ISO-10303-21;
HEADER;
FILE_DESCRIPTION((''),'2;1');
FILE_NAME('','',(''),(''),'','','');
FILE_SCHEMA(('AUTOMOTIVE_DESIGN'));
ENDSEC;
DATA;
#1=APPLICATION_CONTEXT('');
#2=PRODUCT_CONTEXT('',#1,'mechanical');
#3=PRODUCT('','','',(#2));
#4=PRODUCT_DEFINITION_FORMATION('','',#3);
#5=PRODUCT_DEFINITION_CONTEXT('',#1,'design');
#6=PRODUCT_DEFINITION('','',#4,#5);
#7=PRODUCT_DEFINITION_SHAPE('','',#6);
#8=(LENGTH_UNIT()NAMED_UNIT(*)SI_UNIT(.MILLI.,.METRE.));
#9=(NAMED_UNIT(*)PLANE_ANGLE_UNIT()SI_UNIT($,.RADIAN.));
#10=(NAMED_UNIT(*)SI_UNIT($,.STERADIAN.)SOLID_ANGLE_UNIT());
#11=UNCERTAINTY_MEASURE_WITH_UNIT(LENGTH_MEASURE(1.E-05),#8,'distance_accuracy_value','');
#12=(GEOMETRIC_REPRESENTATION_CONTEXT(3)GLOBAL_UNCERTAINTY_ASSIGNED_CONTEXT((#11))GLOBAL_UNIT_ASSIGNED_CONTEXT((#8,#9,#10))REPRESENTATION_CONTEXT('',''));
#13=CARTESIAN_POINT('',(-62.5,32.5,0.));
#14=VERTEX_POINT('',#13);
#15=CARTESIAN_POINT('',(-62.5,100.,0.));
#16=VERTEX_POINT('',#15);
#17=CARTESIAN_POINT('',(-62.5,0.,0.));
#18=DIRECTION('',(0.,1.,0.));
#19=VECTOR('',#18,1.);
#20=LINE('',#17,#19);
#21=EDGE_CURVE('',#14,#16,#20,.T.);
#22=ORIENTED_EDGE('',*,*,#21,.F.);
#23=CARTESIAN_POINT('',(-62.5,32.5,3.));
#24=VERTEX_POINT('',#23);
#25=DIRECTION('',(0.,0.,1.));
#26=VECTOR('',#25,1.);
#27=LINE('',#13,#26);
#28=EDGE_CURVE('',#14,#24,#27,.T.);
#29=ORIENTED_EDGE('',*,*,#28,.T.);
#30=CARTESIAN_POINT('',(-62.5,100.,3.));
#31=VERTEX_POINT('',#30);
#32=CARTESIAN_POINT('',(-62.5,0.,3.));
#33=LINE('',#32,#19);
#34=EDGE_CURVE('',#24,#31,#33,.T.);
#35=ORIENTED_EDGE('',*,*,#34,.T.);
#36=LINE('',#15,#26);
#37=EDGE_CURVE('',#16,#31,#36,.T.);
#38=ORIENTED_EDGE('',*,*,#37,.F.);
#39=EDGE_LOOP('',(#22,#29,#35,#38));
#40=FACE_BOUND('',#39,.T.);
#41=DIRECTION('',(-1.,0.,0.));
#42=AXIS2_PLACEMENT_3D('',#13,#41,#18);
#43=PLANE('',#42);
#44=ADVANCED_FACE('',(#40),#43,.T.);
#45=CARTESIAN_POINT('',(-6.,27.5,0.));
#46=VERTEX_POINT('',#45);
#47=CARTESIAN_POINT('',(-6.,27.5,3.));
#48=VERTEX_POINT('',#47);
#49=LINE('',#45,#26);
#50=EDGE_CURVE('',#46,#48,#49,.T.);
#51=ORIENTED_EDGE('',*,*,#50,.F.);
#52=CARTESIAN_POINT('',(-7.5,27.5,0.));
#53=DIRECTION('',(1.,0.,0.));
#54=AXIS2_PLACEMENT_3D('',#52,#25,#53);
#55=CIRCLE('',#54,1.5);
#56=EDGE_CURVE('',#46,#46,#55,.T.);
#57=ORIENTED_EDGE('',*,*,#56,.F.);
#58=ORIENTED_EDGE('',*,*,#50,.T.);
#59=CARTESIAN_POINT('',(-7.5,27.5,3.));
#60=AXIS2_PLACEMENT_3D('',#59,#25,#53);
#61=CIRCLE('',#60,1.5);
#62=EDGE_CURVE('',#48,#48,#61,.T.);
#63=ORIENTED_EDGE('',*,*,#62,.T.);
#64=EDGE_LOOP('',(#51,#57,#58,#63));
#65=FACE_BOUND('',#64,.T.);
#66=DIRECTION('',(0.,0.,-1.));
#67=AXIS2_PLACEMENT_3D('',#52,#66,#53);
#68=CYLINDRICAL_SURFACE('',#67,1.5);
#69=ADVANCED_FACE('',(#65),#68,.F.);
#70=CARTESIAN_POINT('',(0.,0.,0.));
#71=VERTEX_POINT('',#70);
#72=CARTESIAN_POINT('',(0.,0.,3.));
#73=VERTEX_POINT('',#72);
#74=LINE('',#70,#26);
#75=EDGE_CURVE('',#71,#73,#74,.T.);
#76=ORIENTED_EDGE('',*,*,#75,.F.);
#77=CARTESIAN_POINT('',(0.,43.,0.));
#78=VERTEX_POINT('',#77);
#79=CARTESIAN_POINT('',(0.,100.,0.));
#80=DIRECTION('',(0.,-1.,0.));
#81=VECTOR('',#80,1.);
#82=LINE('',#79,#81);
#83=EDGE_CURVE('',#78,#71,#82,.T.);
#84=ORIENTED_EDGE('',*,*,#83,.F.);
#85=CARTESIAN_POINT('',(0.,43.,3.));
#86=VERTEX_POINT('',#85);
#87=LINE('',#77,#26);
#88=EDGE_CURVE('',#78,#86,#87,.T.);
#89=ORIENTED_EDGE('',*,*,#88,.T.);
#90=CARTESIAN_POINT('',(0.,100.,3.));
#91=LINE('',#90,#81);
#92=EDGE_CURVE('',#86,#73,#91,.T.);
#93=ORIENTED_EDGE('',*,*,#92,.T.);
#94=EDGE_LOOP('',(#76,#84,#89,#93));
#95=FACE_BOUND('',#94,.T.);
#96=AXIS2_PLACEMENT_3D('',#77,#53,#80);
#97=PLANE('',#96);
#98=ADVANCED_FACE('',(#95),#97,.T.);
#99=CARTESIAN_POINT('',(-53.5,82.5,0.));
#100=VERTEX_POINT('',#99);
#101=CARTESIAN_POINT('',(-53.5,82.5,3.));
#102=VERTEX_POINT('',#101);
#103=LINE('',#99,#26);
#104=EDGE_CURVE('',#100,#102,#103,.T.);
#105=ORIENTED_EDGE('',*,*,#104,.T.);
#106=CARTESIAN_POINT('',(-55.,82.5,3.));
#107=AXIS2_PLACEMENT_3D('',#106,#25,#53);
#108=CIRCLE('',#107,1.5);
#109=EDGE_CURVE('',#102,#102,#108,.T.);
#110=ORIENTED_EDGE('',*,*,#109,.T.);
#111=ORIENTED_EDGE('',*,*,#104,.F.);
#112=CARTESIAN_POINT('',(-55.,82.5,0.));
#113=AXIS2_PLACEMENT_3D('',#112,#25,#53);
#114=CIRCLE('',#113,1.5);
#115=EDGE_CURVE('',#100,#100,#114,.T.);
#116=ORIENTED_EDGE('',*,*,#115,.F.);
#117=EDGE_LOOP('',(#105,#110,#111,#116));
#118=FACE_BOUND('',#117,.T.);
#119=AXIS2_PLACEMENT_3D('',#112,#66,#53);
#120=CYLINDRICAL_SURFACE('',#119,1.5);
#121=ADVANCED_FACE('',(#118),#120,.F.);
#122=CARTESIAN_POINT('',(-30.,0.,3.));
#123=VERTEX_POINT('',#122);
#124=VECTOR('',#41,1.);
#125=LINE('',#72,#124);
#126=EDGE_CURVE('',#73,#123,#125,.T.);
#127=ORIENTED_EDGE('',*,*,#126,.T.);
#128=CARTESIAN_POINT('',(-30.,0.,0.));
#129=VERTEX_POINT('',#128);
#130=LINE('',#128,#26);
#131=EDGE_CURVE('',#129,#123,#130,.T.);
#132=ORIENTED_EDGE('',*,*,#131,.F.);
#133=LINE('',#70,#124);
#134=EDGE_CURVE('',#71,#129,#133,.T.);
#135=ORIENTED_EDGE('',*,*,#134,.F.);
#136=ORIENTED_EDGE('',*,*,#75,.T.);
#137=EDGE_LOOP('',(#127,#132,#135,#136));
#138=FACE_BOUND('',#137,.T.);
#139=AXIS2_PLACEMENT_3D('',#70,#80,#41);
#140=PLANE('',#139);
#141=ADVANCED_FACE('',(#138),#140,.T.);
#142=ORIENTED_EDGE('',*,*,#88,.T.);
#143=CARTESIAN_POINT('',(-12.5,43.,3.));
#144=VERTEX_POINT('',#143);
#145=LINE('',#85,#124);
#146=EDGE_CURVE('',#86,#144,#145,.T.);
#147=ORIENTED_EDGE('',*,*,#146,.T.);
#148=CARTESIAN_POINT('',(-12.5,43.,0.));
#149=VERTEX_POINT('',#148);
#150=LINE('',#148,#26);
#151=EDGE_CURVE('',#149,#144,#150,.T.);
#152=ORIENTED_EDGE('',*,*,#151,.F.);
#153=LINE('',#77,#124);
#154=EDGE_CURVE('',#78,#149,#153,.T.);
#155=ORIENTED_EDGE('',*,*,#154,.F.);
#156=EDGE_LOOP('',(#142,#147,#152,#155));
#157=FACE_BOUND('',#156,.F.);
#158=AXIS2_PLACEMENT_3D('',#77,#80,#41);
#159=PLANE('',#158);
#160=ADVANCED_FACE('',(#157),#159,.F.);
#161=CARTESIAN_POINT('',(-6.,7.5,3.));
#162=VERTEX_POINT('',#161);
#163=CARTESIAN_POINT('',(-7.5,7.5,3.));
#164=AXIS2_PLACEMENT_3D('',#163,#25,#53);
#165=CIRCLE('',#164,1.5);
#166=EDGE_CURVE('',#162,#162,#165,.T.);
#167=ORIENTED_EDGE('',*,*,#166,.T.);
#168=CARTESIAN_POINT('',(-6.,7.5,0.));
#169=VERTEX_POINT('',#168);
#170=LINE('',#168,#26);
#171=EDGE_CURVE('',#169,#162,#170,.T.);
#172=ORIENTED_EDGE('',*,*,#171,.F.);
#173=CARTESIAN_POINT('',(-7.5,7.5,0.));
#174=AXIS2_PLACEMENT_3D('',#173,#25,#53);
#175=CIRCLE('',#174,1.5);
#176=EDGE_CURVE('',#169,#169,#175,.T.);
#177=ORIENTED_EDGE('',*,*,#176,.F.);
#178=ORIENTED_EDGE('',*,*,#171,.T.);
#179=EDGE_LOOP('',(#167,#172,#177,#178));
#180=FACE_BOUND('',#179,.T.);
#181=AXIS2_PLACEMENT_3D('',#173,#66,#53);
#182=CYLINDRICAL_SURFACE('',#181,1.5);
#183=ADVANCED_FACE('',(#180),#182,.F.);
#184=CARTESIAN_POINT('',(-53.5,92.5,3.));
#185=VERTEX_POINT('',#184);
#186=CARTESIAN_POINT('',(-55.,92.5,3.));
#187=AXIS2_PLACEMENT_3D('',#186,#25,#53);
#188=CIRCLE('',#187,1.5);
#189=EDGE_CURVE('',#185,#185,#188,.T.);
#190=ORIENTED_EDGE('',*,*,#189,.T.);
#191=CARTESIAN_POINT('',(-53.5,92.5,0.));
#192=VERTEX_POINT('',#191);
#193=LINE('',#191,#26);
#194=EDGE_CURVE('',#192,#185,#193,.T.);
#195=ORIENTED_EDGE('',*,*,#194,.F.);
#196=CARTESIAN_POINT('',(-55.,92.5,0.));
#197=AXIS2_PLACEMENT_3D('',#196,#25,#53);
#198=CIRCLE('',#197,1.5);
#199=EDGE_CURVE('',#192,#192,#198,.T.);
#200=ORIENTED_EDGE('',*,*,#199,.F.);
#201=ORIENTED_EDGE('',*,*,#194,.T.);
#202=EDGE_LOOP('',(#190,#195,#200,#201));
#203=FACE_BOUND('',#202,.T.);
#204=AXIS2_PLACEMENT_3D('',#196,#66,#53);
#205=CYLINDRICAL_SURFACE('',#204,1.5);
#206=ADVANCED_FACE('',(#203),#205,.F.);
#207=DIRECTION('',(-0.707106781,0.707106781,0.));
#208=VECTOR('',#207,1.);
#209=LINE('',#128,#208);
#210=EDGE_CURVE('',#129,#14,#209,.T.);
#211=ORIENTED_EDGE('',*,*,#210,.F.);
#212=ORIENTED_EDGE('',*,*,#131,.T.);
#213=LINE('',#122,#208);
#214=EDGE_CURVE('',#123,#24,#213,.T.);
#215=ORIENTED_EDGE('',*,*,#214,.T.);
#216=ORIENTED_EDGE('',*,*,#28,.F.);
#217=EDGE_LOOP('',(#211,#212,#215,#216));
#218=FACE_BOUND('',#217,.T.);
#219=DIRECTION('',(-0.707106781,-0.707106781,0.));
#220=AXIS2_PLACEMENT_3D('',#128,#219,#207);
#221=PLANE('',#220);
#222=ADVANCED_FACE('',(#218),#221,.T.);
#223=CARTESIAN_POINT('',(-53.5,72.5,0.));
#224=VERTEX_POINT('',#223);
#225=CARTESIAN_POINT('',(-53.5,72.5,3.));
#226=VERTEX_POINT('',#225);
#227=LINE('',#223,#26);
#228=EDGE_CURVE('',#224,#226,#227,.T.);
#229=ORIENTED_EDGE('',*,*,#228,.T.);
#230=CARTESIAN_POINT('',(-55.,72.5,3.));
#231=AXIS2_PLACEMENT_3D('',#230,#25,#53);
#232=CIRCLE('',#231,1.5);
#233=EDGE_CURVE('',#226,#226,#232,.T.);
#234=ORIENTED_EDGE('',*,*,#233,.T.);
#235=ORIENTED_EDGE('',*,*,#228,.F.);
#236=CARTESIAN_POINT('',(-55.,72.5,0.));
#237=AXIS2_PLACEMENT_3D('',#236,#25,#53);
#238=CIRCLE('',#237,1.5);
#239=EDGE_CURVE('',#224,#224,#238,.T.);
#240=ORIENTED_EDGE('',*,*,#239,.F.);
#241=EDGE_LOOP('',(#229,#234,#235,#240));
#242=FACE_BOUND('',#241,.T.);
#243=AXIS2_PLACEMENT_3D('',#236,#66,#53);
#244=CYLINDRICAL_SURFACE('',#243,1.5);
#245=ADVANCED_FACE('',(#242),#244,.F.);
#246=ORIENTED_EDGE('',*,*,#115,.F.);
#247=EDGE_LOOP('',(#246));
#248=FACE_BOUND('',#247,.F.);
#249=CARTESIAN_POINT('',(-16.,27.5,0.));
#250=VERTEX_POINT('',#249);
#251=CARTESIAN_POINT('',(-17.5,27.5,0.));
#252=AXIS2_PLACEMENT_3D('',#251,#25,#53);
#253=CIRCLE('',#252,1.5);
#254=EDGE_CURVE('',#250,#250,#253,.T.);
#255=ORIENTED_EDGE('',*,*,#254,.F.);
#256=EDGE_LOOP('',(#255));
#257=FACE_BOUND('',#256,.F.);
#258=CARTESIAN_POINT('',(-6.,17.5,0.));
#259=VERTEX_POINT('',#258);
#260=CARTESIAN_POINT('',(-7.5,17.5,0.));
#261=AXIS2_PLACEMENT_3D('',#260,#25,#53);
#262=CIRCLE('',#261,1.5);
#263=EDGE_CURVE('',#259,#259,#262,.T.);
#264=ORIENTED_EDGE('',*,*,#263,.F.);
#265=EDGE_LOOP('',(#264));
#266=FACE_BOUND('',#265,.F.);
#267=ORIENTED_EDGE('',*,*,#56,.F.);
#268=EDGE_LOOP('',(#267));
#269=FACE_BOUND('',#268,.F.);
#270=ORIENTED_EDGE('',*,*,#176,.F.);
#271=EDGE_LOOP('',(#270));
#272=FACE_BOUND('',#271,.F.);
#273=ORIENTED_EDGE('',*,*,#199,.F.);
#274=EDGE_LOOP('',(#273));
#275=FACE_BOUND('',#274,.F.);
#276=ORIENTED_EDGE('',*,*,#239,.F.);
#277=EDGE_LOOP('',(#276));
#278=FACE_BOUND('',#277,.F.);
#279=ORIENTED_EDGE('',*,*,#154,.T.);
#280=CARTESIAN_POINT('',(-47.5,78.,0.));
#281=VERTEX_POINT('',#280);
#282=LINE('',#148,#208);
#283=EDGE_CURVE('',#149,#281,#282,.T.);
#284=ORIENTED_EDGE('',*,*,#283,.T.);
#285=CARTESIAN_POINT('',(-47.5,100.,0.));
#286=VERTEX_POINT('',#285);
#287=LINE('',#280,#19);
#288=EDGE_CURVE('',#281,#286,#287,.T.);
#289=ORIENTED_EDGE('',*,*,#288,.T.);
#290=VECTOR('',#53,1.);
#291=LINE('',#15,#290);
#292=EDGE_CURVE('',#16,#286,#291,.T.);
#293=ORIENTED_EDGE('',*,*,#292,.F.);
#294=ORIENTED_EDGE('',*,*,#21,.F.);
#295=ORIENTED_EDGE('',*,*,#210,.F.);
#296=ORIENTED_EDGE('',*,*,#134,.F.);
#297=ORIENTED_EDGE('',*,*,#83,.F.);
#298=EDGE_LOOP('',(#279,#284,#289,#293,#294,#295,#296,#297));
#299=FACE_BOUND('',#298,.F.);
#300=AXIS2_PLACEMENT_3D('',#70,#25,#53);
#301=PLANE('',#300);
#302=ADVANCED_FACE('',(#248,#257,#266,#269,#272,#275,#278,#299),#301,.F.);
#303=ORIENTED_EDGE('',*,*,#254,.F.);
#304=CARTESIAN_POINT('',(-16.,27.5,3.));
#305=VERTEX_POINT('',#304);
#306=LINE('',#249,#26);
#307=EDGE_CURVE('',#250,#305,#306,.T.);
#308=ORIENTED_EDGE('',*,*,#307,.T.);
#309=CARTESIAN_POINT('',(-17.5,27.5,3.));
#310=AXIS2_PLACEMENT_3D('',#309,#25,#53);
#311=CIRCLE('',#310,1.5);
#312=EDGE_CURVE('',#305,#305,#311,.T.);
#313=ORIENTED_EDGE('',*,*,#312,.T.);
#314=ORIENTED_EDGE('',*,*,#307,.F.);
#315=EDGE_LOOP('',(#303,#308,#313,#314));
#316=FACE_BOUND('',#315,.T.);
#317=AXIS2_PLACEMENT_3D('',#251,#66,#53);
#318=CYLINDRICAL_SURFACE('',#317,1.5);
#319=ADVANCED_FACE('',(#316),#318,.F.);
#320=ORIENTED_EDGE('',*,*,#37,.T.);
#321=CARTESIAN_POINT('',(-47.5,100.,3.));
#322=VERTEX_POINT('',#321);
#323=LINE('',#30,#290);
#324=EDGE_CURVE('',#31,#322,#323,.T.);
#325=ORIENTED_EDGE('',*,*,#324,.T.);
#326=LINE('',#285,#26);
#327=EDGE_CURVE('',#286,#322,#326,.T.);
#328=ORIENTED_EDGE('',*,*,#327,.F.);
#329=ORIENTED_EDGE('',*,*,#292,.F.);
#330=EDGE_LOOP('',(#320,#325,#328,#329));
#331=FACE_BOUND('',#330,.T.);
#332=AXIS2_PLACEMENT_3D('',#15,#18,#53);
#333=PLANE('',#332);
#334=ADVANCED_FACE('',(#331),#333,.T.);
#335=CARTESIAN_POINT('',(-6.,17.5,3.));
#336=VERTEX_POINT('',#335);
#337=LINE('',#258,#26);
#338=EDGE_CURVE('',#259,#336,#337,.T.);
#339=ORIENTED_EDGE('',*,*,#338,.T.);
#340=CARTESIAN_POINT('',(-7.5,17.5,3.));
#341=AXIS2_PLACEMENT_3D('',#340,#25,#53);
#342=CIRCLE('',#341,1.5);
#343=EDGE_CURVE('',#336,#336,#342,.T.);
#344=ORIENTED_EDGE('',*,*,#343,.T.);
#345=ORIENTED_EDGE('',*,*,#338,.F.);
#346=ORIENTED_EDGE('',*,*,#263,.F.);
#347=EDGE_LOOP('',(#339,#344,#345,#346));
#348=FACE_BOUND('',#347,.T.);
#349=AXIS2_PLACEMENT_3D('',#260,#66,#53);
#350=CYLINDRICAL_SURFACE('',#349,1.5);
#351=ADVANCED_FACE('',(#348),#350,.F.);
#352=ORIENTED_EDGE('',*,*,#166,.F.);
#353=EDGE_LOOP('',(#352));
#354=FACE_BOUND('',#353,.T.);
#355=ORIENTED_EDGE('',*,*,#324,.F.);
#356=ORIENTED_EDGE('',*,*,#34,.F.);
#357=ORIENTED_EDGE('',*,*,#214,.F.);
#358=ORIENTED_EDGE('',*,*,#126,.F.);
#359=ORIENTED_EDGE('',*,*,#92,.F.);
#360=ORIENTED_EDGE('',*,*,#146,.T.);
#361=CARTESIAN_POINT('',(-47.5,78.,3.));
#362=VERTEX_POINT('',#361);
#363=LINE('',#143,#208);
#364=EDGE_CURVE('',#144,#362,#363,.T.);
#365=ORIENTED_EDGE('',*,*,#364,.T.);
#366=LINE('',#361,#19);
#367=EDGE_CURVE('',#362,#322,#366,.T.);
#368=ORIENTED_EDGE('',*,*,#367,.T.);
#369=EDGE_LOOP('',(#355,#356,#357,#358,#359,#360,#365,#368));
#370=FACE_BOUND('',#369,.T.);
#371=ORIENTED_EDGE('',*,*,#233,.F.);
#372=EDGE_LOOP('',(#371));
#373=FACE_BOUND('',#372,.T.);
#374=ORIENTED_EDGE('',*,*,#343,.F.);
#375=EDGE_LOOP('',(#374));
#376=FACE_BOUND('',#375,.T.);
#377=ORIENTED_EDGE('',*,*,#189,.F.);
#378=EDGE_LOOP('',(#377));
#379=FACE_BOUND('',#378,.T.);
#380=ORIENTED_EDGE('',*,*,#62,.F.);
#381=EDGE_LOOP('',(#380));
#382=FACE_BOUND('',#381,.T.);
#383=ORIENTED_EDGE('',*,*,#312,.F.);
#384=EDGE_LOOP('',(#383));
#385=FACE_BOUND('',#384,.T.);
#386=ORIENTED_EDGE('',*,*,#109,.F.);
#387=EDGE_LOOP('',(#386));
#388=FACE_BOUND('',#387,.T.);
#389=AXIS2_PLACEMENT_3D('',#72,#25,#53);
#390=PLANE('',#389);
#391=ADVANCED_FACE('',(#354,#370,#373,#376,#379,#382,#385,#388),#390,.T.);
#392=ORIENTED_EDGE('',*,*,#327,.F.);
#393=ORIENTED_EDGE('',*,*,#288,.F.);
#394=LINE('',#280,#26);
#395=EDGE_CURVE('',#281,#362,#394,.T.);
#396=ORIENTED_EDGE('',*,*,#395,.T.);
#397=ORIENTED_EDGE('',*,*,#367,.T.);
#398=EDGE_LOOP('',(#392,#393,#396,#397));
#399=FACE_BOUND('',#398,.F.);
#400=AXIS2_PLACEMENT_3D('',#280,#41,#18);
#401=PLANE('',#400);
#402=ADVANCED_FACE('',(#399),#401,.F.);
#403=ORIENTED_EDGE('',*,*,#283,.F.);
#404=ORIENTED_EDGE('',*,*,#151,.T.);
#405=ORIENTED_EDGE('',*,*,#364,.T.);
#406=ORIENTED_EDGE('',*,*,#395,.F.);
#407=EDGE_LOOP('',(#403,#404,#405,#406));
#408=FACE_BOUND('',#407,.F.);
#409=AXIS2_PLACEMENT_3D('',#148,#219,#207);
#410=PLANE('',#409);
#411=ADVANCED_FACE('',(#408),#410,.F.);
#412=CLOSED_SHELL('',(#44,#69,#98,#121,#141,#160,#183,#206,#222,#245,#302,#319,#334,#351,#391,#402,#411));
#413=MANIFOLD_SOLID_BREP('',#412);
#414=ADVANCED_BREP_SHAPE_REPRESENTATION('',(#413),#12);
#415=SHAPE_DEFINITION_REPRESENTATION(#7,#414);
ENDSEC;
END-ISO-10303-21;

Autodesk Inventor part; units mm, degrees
ref_plane "YZ Plane" through (0, 0, 0) normal (1, 0, 0) x (0, 1, 0)
ref_plane "XZ Plane" through (0, 0, 0) normal (0, 1, 0) x (-1, 0, 0)
ref_plane "XY Plane" through (0, 0, 0) normal (0, 0, 1) x (1, 0, 0)
sketch "Sketch1" plane through (0, 0, 0) normal (0, 0, 1) x (1, 0, 0)
  line L0 (0, 0) -> (-62.5, 0)
  line L1 (-62.5, 0) -> (-62.5, 100)
  line L2 (-62.5, 100) -> (0, 100)
  line L3 (0, 100) -> (0, 0)
  circle A0 centre (-7.5, 7.5) radius 1.5
  circle A1 centre (-7.5, 17.5) radius 1.5
  circle A2 centre (-7.5, 27.5) radius 1.5
  circle A3 centre (-17.5, 27.5) radius 1.5
  circle A4 centre (-55, 92.5) radius 1.5
  circle A5 centre (-55, 82.5) radius 1.5
  circle A6 centre (-55, 72.5) radius 1.5
  line L4 (0, 43) -> (-12.5, 43)
  line L5 (-12.5, 43) -> (-47.5, 78)
  line L6 (-47.5, 78) -> (-47.5, 100)
  line L7 (-30, 0) -> (-62.5, 32.5)
  dimension "d0" = 100
  dimension "d1" = 62.5
  dimension "d2" = 3
  dimension "d3" = 3
  dimension "d4" = 3
  dimension "d5" = 3
  dimension "d6" = 3
  dimension "d7" = 3
  dimension "d8" = 3
  dimension "d9" = 7.5
  dimension "d10" = 7.5
  dimension "d11" = 7.5
  dimension "d12" = 7.5
  dimension "d13" = 10
  dimension "d14" = 10
  dimension "d15" = 7.5
  dimension "d16" = 7.5
  dimension "d17" = 7.5
  dimension "d18" = 7.5
  dimension "d19" = 10
  dimension "d20" = 10
  dimension "d21" = 10
  dimension "d22" = 10
  dimension "d23" = 12.5
  dimension "d24" = 135
  dimension "d25" = 135
  dimension "d26" = 32.5
  dimension "d27" = 43
  dimension "d28" = 15
extrude "Extrusion1" add sketch "Sketch1" along normal blind 3 contours L0 L7 L1 L2 L6 L5 L4 L3
equation "\"d10\" = d9"
equation "\"d11\" = d9"
equation "\"d12\" = d11"
equation "\"d14\" = d13"
equation "\"d17\" = d15"
equation "\"d18\" = d15"
equation "\"d20\" = d19"
equation "\"d21\" = d19"
equation "\"d22\" = d19"
equation "\"d25\" = d24"
properties part number "Plate_standard"
